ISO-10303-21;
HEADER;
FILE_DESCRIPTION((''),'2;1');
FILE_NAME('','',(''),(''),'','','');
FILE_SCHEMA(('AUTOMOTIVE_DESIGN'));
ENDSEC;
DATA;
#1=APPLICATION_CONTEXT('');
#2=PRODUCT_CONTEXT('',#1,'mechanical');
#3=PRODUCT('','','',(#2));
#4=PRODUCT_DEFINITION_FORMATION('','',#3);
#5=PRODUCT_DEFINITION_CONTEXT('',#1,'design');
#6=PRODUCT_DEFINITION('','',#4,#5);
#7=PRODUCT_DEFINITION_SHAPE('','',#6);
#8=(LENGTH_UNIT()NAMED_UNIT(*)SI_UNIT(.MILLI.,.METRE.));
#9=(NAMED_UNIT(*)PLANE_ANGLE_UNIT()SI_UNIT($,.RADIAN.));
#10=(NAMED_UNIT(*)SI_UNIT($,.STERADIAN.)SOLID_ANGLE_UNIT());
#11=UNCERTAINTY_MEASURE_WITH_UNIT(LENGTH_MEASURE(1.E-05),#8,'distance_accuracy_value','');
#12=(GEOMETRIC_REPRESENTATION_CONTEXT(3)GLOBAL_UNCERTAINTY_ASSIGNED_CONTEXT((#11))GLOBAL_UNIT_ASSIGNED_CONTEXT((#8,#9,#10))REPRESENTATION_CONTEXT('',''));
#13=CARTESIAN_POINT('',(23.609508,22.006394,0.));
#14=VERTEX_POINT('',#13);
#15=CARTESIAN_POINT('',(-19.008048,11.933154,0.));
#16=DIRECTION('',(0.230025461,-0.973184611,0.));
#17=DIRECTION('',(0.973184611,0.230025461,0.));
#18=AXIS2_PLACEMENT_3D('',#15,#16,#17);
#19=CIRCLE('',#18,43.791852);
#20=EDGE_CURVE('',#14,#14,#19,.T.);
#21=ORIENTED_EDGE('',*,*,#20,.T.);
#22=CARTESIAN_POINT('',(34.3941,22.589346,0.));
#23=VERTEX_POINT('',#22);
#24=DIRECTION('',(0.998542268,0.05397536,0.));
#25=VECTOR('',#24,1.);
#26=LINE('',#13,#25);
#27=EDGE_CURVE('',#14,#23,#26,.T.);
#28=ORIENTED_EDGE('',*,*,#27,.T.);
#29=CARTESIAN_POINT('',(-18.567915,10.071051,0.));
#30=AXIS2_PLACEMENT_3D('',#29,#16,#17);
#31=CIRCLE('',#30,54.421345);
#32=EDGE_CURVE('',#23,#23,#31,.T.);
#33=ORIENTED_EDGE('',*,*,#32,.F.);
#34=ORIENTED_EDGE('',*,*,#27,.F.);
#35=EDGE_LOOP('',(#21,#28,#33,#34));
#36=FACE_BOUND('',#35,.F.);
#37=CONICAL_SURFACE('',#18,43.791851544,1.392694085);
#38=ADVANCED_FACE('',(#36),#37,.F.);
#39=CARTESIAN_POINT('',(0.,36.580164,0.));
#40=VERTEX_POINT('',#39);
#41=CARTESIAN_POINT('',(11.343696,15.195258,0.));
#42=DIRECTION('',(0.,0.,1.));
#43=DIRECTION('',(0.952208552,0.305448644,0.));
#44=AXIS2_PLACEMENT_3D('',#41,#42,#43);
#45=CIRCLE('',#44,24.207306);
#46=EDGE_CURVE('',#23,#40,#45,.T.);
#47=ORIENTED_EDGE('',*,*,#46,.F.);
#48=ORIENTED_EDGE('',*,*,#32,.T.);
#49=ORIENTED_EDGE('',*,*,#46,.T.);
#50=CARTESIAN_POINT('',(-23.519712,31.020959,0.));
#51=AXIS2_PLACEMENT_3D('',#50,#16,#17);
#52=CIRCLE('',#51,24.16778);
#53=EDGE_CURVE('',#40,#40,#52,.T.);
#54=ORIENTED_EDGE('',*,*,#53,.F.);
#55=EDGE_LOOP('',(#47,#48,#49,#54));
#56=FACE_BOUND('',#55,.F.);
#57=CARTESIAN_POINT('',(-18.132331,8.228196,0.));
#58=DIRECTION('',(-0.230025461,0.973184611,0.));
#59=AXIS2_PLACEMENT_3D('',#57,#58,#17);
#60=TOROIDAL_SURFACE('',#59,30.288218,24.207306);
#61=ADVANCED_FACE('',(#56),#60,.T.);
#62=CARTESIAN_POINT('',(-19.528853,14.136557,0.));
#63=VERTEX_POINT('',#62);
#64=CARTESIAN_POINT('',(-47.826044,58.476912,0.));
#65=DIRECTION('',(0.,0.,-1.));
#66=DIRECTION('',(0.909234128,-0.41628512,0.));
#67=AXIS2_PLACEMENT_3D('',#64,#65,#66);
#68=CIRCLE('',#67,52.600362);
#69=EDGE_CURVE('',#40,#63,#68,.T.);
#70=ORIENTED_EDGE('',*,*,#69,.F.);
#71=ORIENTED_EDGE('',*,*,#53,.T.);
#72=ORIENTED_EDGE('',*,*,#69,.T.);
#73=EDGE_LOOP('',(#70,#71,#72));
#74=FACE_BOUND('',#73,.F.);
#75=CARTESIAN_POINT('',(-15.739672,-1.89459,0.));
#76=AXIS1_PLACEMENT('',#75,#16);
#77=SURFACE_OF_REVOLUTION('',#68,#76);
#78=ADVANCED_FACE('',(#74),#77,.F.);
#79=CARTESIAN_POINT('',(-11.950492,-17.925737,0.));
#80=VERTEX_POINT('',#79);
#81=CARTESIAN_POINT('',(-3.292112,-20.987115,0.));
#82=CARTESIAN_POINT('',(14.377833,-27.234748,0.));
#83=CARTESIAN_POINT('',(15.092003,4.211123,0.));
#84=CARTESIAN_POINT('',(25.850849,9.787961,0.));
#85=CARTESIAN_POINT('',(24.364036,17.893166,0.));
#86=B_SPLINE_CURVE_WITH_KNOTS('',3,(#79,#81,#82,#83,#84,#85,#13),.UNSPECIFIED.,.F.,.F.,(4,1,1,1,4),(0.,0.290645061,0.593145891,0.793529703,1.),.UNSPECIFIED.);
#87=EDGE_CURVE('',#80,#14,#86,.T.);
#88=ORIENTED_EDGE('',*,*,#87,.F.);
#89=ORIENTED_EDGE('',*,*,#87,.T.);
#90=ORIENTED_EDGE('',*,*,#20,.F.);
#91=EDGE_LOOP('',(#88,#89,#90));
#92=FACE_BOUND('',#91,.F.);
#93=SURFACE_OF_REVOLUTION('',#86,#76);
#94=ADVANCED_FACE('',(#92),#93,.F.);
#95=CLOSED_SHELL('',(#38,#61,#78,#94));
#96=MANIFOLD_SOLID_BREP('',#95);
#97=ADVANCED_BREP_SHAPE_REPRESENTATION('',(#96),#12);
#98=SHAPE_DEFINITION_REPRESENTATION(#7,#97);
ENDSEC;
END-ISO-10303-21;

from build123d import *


with BuildPart() as f1:
    # F0 (on Top) → F1 (revolve)
    with BuildSketch(Plane.XY):
        with BuildLine():
            Line((23.609507829, 22.0063943416), (34.3941003084, 22.5893463939))
            ThreePointArc((34.3941003084, 22.5893463939), (20.4649624491, 37.6183745643), (0, 36.5801639855))
            ThreePointArc((0, 36.5801639855), (-8.1446175856, 23.9489166784), (-19.5288527757, 14.1365574673))
            Line((-19.5288527757, 14.1365574673), (-11.9504919276, -17.9257374257))
            add(Edge.make_bspline(
                [(-11.9504919276, -17.9257374257), (-3.2921123574, -20.9871153222), (14.3778327289, -27.2347484828), (15.0920027905, 4.2111228661), (25.8508491567, 9.7879606885), (24.3640357839, 17.8931655162), (23.609507829, 22.0063943416)],
                knots=[0, 0, 0, 0, 0.2906450611, 0.5931458915, 0.7935297032, 1, 1, 1, 1], degree=3))
        make_face()
    revolve(axis=Axis((-15.7396723516, -1.8945899792, 0), (0.2300254607, -0.9731846112, 0)))


solid = f1.part
